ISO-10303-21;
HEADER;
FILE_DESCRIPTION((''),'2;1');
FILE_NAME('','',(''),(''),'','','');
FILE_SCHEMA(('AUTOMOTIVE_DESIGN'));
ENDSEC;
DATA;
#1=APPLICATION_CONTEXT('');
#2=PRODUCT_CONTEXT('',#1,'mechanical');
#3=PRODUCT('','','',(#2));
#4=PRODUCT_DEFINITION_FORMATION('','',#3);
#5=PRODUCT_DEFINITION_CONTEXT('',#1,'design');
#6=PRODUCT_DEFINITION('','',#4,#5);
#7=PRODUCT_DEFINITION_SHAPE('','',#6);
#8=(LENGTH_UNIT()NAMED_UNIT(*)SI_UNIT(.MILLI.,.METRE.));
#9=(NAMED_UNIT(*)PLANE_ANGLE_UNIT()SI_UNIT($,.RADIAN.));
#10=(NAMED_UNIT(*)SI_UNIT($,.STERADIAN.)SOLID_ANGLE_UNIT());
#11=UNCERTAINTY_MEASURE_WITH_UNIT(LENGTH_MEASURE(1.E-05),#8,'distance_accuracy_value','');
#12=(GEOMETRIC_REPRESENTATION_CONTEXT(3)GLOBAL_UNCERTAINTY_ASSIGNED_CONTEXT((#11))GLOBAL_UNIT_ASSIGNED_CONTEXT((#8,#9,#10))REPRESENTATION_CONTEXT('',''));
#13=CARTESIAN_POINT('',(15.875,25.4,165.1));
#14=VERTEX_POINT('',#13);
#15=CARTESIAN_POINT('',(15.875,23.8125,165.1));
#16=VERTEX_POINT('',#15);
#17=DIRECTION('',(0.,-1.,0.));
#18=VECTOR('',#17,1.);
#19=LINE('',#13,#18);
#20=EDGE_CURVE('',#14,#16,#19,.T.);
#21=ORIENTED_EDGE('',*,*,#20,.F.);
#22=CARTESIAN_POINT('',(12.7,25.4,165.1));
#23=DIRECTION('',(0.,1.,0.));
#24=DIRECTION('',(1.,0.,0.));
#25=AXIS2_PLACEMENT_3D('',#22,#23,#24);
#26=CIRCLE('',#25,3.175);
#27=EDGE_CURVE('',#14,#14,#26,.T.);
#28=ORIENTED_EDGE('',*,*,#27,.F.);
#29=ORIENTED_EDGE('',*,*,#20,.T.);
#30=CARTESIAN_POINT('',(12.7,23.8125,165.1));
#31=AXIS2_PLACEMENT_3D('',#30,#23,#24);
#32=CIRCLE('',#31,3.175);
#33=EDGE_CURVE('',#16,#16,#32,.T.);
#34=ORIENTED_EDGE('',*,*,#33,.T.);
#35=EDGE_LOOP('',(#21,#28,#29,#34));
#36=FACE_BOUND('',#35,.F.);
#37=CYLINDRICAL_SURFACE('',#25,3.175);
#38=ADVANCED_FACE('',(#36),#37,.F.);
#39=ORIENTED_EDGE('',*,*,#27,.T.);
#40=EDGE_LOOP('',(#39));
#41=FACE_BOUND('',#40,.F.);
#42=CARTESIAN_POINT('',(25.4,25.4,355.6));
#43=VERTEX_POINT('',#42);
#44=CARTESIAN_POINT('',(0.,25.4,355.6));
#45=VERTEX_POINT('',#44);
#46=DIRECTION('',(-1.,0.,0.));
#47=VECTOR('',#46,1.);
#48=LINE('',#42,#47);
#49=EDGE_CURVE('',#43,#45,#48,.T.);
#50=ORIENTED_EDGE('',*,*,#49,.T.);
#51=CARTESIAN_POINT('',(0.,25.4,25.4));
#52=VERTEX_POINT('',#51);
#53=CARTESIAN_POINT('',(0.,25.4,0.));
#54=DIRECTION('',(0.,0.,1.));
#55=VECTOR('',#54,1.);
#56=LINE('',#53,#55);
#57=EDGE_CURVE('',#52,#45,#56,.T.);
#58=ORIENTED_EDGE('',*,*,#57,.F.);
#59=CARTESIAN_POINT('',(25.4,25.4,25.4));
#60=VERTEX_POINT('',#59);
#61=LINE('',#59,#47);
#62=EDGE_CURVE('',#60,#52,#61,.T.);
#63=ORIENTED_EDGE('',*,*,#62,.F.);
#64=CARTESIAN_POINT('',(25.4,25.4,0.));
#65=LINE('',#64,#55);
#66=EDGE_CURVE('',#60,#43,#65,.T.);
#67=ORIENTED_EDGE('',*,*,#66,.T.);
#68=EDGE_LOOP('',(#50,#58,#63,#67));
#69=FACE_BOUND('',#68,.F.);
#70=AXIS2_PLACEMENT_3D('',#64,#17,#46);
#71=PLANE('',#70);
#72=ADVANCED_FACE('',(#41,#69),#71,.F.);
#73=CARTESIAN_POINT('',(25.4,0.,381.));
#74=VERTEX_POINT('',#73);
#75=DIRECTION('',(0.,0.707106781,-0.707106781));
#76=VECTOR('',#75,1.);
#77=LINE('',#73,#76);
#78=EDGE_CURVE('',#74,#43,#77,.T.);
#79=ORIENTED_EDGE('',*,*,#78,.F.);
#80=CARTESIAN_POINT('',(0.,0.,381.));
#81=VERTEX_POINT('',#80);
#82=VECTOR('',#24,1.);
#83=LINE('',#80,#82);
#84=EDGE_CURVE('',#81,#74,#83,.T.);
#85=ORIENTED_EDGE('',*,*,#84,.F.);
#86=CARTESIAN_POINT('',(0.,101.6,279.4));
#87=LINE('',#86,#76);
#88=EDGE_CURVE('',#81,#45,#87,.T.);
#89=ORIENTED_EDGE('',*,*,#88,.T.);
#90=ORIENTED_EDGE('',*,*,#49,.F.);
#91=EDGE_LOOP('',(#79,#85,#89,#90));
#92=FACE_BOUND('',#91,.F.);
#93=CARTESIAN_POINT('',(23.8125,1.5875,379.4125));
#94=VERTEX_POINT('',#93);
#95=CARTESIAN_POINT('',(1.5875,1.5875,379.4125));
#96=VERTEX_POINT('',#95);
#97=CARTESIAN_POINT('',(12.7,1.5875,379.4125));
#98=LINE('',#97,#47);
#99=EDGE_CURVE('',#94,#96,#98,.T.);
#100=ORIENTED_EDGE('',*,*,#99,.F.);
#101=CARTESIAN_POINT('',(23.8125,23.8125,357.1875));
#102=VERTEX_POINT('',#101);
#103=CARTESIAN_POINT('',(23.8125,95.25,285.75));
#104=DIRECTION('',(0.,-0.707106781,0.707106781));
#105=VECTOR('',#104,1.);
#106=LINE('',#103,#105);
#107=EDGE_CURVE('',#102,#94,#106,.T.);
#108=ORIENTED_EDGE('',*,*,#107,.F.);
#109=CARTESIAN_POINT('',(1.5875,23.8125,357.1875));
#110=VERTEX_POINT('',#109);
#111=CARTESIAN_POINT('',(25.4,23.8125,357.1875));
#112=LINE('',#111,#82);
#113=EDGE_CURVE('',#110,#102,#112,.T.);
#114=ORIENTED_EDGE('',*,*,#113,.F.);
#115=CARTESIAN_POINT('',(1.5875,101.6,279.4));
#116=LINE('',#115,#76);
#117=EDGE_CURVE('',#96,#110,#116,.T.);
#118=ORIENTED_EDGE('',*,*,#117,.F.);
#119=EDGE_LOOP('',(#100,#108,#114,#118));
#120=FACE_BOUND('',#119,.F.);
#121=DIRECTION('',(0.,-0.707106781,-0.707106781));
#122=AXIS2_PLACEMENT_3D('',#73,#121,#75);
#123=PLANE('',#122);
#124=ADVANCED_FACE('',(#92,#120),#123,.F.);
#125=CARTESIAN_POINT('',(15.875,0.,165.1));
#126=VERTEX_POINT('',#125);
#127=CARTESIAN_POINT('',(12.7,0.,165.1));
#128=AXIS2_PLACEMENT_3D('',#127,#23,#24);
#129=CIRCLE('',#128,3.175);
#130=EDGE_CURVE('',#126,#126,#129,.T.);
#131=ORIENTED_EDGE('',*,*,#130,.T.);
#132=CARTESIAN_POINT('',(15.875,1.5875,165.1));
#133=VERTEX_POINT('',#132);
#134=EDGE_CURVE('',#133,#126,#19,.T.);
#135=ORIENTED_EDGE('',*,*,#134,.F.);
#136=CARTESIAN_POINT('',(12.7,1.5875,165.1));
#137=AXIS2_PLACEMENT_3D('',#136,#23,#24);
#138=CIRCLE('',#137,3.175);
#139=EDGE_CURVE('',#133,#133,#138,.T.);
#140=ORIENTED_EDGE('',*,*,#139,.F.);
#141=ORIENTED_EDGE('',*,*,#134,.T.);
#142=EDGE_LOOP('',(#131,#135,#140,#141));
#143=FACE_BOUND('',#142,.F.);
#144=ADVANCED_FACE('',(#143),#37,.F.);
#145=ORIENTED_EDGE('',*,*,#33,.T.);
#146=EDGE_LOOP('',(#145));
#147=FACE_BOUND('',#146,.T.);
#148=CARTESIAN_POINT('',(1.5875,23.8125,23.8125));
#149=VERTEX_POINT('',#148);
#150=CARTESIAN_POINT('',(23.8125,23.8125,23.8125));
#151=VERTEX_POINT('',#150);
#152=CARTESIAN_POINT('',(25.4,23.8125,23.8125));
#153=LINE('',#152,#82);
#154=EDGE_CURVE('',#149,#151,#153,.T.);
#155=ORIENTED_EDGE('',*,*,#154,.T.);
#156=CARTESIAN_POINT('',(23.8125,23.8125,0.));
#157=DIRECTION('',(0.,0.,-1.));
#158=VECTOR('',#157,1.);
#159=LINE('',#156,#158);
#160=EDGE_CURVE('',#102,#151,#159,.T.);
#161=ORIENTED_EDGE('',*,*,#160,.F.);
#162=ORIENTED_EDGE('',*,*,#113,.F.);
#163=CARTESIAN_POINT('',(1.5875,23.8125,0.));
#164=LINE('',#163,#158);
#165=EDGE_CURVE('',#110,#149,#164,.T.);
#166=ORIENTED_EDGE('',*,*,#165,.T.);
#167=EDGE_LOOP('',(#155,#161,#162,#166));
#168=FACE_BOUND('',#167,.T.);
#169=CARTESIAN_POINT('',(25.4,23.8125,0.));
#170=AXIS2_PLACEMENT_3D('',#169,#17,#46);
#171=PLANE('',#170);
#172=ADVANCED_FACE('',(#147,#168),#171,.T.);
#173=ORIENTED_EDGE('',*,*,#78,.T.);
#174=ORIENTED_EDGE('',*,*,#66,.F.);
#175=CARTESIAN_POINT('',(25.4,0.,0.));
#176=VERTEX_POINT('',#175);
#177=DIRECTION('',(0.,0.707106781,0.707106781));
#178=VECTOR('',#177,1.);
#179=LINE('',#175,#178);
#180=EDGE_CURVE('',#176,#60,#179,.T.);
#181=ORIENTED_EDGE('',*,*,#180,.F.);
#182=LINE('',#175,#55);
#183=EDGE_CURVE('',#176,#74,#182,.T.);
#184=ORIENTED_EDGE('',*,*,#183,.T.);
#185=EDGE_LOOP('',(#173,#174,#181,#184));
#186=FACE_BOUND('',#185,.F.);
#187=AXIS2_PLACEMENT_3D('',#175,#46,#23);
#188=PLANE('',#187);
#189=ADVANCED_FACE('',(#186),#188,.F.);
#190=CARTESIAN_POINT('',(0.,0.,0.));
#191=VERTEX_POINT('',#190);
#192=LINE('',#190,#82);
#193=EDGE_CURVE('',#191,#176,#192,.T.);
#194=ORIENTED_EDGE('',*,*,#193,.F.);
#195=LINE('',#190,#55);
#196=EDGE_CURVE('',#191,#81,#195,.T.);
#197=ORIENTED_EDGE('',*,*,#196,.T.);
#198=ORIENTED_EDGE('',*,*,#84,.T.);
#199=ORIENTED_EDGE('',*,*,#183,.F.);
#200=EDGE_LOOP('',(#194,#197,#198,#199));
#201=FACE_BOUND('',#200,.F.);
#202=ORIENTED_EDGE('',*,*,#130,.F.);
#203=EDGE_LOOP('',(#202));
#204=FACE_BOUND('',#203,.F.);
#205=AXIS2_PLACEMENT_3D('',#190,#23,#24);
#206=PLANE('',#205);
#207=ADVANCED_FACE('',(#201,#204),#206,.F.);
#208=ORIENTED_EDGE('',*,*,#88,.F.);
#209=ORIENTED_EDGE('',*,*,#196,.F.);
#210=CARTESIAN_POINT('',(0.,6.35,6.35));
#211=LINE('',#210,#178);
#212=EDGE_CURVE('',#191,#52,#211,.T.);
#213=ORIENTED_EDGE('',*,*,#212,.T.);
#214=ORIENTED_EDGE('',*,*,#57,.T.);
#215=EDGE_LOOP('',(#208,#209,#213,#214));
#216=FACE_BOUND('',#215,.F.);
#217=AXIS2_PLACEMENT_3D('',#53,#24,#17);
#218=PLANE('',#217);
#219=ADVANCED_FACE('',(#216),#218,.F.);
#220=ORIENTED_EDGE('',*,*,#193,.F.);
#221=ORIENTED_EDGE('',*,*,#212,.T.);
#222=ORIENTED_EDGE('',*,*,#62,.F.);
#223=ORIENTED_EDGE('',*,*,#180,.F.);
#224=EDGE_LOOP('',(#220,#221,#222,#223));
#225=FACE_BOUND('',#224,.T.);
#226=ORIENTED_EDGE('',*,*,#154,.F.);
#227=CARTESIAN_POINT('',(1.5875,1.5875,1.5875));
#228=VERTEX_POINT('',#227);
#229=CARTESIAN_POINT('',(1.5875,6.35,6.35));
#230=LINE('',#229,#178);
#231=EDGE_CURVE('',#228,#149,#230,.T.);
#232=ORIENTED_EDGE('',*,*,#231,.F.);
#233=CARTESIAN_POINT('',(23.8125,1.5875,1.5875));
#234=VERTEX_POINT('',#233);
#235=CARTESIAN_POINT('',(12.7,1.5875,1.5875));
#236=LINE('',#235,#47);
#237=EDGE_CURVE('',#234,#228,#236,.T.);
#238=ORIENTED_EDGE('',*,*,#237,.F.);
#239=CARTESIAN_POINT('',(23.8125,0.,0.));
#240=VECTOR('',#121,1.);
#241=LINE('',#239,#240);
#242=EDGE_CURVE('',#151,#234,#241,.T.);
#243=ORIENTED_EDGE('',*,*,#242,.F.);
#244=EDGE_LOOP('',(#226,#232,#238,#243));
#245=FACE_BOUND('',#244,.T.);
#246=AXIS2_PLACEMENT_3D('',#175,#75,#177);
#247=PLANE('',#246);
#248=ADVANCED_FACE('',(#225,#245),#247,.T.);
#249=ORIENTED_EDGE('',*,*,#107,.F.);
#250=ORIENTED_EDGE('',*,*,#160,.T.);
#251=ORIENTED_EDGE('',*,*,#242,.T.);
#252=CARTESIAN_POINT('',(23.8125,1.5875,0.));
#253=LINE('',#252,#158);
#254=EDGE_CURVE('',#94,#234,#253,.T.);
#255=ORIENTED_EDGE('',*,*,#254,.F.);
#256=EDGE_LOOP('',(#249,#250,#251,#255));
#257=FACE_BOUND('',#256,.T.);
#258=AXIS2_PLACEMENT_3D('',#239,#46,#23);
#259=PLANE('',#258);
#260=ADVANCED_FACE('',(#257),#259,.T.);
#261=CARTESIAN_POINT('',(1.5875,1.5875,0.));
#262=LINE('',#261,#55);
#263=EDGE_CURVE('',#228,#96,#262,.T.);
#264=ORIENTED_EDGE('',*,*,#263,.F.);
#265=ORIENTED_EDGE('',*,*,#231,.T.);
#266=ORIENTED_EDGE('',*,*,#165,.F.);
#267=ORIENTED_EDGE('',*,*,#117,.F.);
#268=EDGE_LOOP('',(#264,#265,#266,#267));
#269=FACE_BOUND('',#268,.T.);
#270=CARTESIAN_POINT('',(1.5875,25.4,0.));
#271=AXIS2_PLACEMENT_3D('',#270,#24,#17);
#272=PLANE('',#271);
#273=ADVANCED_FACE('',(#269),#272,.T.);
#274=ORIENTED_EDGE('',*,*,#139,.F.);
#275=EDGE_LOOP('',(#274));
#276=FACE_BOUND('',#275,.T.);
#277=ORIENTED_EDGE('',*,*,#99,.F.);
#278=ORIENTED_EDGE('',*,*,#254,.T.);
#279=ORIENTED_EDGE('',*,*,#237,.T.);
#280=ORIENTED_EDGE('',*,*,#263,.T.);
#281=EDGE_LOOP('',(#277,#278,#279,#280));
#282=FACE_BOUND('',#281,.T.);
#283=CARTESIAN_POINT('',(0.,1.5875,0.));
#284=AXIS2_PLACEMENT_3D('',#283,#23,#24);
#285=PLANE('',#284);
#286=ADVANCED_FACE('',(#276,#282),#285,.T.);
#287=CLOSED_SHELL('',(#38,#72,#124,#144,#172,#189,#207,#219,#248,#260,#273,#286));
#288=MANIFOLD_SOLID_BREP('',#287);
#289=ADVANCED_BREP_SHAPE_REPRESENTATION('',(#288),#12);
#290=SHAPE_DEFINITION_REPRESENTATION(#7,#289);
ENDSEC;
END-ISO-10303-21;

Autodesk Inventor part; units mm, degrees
ref_plane "YZ Plane" through (0, 0, 0) normal (1, 0, 0) x (0, 1, 0)
ref_plane "XZ Plane" through (0, 0, 0) normal (0, 1, 0) x (-1, 0, 0)
ref_plane "XY Plane" through (0, 0, 0) normal (0, 0, 1) x (1, 0, 0)
sketch "Sketch1" plane through (0, 0, 0) normal (0, 0, 1) x (1, 0, 0)
  line L0 (0, 0) -> (25.4, 0)
  line L1 (25.4, 0) -> (25.4, 25.4)
  line L2 (25.4, 25.4) -> (0, 25.4)
  line L3 (0, 25.4) -> (0, 0)
  dimension "d0" = 25.4
  dimension "d1" = 25.4
extrude "Extrusion1" add sketch "Sketch1" along normal blind 381
shell "Shell1" thickness 1.5875 removed faces 2 at (16.9333, 16.9333, 0) at (16.9333, 16.9333, 381)
sketch "Sketch2" plane through (25.4, 0, 0) normal (1, 0, 0) x (0, 0, -1)
  line L0 (-381, 25.4) -> (-381, 0) projected
  line L1 (0, 0) -> (0, 25.4) projected
  line L2 (0, 25.4) -> (-381, 25.4) projected
  line L3 (-381, 0) -> (-355.6, 25.4)
  line L4 (-381, 25.4) -> (-381, 0)
  line L5 (-381, 25.4) -> (-355.6, 25.4)
  line L6 (0, 25.4) -> (-25.4, 25.4)
  line L7 (0, 0) -> (-25.4, 25.4)
  line L8 (0, 0) -> (0, 25.4)
  dimension "d6" = 45
  dimension "d7" = 45
extrude "Extrusion2" cut sketch "Sketch2" against normal through all
sketch "Sketch3" plane through (0, 25.4, 355.6) normal (0, 1, 0) x (1, 0, 0)
  line L0 (25.4, 330.2) -> (25.4, 0) projected
  line L1 (25.4, 330.2) -> (0, 330.2) projected
  circle A0 centre (12.7, 190.5) radius 3.175
  point P0 (0, 355.6)
  dimension "d10" = 6.35
  dimension "d11" = 12.7
  dimension "d12" = 139.7
extrude "Extrusion3" cut sketch "Sketch3" against normal through all
properties part number "Frame_RearLowerAngleSupport"
